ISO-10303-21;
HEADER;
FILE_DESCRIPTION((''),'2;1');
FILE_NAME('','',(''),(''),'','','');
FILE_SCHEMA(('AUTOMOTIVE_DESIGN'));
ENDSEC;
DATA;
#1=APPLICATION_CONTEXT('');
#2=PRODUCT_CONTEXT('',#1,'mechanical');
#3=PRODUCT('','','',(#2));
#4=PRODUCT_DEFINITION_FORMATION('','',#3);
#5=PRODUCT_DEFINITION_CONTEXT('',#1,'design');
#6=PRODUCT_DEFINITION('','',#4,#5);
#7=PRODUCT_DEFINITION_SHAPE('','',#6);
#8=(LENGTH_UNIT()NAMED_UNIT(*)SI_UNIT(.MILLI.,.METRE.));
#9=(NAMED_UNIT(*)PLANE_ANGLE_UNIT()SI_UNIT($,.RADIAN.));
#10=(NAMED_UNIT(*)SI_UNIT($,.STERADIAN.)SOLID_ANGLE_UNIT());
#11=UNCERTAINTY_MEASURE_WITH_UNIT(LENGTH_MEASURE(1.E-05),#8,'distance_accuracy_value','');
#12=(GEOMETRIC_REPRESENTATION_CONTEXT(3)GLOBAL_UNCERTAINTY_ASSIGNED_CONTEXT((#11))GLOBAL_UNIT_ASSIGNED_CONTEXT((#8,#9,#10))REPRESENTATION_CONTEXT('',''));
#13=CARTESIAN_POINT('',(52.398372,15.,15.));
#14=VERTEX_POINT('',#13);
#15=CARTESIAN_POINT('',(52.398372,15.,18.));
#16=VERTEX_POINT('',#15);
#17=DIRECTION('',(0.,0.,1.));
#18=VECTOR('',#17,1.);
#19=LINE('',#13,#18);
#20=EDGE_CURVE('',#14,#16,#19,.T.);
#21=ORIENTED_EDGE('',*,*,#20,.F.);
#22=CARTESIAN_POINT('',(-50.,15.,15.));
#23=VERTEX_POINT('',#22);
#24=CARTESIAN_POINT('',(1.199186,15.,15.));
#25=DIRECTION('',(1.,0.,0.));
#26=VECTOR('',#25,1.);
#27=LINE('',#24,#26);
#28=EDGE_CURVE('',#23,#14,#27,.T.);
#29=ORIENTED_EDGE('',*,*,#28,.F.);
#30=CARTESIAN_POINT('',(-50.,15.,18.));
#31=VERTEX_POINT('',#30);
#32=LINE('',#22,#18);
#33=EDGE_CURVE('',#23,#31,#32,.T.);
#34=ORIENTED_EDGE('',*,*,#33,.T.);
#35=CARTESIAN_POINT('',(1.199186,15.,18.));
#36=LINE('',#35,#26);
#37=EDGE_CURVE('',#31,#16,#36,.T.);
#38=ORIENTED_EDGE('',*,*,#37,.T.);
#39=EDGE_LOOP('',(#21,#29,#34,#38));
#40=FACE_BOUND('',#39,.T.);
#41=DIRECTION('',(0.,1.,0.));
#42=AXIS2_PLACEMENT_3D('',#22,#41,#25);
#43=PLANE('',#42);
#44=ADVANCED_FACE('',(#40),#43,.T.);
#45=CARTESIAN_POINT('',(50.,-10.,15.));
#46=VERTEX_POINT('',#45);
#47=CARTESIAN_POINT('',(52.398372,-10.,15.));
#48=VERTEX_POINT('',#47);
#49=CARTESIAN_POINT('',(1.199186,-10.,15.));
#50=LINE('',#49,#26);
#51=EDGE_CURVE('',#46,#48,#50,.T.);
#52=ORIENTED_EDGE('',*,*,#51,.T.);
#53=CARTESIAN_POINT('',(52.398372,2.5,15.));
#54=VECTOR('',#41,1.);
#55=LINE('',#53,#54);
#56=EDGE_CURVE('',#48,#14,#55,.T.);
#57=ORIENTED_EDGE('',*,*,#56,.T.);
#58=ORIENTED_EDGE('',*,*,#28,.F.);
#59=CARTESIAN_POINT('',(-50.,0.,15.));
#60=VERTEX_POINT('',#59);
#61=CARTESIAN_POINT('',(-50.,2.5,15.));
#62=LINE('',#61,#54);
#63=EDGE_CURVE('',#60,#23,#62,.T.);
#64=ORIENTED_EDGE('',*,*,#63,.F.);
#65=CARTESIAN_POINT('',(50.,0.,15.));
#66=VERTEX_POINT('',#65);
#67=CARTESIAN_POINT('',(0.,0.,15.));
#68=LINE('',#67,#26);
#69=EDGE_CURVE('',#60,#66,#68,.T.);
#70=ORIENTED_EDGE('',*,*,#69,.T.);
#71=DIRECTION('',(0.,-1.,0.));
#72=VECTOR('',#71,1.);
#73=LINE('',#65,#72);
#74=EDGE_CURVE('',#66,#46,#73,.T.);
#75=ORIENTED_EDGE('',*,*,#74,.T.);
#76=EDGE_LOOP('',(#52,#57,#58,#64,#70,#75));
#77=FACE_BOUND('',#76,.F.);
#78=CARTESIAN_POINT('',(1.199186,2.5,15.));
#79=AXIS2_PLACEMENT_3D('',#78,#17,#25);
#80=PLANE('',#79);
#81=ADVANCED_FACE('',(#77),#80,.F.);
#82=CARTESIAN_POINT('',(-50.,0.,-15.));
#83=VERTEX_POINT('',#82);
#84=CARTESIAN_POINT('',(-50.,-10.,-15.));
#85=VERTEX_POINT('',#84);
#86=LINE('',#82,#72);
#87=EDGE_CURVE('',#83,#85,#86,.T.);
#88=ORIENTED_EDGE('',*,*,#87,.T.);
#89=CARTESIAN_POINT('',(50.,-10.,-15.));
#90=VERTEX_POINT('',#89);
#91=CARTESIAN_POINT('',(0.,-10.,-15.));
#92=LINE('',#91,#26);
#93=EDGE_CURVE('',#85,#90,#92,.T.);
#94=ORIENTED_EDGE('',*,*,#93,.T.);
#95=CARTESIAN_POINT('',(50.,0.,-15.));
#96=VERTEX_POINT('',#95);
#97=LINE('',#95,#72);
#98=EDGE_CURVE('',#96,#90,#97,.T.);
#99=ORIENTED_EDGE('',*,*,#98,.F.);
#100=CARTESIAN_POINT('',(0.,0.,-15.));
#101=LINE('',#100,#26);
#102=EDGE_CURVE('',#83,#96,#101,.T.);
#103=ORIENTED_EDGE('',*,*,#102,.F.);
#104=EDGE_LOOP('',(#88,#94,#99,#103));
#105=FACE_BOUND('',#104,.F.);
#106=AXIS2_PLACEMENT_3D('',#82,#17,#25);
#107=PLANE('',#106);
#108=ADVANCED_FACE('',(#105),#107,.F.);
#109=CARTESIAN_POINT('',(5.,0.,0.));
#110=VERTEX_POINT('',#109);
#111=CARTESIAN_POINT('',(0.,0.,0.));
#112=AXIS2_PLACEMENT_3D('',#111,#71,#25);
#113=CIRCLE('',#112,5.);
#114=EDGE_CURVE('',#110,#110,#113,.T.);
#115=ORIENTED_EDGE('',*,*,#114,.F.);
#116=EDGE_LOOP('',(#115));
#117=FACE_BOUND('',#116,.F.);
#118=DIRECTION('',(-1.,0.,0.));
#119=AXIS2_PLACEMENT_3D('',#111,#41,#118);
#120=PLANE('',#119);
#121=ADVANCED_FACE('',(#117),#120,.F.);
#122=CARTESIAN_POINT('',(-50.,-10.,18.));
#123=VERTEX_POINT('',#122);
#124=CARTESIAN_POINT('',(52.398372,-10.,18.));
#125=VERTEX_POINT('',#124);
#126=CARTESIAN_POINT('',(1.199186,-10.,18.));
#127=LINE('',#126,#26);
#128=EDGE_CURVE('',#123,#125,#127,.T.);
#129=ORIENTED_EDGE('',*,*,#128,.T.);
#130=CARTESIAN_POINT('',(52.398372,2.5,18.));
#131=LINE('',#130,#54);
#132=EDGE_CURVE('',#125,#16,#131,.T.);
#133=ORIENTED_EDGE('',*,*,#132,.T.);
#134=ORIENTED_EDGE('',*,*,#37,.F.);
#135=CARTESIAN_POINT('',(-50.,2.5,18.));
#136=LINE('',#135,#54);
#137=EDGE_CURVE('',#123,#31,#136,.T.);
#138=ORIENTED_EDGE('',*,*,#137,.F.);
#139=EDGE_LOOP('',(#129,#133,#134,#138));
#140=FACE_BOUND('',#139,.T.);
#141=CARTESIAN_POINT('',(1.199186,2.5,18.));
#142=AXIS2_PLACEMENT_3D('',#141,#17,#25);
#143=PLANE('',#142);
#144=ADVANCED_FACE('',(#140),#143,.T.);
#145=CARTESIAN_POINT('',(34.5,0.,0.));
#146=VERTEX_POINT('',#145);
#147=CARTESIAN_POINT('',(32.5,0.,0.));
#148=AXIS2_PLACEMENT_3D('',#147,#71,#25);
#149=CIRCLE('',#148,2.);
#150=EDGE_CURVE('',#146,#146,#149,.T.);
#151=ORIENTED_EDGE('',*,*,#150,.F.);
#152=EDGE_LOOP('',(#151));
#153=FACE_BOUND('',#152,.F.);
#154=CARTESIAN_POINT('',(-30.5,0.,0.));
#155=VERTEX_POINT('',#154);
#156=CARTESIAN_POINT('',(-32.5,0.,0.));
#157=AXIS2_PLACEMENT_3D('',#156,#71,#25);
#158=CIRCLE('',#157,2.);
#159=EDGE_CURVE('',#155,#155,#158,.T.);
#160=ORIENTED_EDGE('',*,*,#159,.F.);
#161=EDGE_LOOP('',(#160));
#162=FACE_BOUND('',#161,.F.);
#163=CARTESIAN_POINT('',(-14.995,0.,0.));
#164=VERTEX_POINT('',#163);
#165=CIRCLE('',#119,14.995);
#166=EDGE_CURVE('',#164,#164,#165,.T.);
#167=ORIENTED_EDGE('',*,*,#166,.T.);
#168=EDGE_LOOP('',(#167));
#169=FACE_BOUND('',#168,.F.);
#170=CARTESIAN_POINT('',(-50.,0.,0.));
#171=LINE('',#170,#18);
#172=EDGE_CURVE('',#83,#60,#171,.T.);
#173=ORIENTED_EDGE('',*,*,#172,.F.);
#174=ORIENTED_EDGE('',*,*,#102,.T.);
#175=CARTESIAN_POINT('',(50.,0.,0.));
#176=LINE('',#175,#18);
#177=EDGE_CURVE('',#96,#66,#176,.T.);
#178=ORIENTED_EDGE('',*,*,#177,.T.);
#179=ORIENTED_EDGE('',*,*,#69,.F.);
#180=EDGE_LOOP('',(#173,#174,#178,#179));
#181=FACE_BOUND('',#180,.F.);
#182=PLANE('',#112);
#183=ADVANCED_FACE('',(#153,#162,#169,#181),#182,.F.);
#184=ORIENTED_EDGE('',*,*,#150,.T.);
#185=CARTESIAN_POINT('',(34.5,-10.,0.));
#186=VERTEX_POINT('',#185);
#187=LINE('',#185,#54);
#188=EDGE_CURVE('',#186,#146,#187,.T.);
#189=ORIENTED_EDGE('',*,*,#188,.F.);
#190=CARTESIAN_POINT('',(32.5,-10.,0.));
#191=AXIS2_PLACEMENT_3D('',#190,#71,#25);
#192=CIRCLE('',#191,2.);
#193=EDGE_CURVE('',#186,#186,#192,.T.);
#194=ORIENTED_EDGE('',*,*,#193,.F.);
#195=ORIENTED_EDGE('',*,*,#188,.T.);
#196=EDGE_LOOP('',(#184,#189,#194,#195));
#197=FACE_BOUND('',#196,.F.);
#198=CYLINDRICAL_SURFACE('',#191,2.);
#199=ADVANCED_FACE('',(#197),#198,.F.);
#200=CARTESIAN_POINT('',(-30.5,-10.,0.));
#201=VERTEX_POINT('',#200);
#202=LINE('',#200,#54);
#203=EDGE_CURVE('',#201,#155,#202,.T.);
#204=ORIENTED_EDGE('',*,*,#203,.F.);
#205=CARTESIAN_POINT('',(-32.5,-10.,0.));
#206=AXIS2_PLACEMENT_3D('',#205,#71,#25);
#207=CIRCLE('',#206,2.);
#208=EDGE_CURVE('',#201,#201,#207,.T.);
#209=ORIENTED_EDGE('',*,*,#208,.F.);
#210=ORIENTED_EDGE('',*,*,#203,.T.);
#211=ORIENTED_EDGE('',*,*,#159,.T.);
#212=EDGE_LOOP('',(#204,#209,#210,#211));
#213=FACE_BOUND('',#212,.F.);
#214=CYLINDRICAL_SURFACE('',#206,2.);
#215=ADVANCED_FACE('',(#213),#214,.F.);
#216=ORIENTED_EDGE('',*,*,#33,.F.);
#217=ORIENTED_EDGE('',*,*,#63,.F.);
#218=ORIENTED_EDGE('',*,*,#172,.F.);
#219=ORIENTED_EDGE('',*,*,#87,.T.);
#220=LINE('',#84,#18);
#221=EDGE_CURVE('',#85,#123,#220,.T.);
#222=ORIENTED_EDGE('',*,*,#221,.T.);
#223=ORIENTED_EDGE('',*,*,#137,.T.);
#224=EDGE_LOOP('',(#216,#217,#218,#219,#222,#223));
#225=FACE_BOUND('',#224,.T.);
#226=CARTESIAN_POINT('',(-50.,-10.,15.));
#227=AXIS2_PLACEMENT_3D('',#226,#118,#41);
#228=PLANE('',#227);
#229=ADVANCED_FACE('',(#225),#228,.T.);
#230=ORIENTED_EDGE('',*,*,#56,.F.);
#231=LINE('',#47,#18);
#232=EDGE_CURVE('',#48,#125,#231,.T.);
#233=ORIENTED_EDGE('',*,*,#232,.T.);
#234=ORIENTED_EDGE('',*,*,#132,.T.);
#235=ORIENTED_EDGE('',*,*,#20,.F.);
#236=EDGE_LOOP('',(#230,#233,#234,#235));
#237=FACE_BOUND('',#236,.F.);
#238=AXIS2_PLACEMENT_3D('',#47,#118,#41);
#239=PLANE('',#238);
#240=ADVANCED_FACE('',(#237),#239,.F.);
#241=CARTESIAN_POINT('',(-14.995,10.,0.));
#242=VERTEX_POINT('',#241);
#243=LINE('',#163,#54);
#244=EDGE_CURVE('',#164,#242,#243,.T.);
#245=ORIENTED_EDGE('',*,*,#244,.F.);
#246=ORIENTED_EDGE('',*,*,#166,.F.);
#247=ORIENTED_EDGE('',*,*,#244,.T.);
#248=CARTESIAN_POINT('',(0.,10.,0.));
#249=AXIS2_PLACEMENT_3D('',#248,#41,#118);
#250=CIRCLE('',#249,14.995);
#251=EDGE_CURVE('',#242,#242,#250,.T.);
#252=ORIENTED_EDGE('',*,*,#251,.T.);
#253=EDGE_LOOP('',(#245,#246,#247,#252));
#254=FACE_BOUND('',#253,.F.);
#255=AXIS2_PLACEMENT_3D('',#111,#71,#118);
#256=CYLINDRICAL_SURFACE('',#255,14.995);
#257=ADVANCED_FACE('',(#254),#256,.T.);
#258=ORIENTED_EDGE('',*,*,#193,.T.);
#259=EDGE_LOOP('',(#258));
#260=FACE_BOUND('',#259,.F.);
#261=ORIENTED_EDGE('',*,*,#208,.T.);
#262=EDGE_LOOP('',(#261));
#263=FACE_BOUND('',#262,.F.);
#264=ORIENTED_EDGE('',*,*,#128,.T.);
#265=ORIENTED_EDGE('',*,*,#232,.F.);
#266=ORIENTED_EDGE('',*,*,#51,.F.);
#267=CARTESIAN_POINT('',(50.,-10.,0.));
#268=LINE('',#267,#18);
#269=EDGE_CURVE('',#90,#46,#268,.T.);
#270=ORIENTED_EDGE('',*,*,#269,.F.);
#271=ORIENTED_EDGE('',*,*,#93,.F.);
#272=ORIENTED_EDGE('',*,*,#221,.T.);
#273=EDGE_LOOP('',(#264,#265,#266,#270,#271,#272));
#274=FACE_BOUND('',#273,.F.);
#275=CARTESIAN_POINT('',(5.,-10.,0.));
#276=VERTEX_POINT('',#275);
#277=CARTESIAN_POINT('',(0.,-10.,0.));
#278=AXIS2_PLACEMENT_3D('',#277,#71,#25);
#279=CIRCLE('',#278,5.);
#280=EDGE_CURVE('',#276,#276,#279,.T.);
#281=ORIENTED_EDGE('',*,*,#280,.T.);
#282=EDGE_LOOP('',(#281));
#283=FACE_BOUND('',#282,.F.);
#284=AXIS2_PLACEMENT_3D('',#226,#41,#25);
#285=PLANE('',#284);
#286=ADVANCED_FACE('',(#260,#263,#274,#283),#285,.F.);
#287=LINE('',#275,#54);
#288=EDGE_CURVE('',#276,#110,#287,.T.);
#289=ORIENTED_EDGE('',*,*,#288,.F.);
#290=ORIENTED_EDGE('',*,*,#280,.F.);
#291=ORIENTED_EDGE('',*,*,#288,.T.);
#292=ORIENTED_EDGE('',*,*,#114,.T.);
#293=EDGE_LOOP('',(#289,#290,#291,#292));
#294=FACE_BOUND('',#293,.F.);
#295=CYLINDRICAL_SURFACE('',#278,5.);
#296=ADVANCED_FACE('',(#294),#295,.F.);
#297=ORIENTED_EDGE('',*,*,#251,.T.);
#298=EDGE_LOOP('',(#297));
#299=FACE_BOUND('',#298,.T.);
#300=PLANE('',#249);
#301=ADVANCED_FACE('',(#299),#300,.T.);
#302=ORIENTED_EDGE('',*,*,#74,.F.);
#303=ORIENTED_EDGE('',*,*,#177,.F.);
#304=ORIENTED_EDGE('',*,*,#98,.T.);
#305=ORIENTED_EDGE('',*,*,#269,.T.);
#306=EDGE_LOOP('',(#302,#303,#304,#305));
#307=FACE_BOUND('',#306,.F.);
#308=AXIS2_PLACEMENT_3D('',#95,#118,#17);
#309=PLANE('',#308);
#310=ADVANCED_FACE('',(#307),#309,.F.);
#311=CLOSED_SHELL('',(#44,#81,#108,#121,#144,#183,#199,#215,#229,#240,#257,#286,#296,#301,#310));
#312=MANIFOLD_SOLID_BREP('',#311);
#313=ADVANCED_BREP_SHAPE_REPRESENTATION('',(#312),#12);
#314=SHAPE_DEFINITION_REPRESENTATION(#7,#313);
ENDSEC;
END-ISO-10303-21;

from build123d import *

# Parameters (mm, degrees)
F0_W     = 100
F0_H     = 30
F1_DEPTH = 10
F2_R     = 2
F2_R_2   = 5
F3_DEPTH = 25
F4_W     = 102.398372
F4_H     = 25
F5_DEPTH = 3
F6_R     = 14.995
F7_DEPTH = 10


with BuildPart() as f1:
    # F0 (on Front) → F1 (new body)
    with BuildSketch(Plane.XZ):
        Rectangle(F0_W, F0_H)
    extrude(amount=F1_DEPTH)

    # F2 (on face) → F3 (cut)
    with BuildSketch(Plane.XZ.offset(10)):
        with Locations((-32.5, 0)):
            Circle(F2_R)
        with Locations((32.5, 0)):
            Circle(F2_R)
        Circle(F2_R_2)
    extrude(amount=-F3_DEPTH, mode=Mode.SUBTRACT)

    # F4 (on face) → F5 (join)
    with BuildSketch(Plane.XY.offset(15)):
        with Locations((1.199186, 2.5)):
            Rectangle(F4_W, F4_H)
    extrude(amount=F5_DEPTH)

    # F6 (on face) → F7 (join)
    with BuildSketch(Plane(origin=(0, 0, 0), x_dir=(-1, 0, 0), z_dir=(0, 1, 0))):
        Circle(F6_R)
    extrude(amount=F7_DEPTH)


solid = f1.part
